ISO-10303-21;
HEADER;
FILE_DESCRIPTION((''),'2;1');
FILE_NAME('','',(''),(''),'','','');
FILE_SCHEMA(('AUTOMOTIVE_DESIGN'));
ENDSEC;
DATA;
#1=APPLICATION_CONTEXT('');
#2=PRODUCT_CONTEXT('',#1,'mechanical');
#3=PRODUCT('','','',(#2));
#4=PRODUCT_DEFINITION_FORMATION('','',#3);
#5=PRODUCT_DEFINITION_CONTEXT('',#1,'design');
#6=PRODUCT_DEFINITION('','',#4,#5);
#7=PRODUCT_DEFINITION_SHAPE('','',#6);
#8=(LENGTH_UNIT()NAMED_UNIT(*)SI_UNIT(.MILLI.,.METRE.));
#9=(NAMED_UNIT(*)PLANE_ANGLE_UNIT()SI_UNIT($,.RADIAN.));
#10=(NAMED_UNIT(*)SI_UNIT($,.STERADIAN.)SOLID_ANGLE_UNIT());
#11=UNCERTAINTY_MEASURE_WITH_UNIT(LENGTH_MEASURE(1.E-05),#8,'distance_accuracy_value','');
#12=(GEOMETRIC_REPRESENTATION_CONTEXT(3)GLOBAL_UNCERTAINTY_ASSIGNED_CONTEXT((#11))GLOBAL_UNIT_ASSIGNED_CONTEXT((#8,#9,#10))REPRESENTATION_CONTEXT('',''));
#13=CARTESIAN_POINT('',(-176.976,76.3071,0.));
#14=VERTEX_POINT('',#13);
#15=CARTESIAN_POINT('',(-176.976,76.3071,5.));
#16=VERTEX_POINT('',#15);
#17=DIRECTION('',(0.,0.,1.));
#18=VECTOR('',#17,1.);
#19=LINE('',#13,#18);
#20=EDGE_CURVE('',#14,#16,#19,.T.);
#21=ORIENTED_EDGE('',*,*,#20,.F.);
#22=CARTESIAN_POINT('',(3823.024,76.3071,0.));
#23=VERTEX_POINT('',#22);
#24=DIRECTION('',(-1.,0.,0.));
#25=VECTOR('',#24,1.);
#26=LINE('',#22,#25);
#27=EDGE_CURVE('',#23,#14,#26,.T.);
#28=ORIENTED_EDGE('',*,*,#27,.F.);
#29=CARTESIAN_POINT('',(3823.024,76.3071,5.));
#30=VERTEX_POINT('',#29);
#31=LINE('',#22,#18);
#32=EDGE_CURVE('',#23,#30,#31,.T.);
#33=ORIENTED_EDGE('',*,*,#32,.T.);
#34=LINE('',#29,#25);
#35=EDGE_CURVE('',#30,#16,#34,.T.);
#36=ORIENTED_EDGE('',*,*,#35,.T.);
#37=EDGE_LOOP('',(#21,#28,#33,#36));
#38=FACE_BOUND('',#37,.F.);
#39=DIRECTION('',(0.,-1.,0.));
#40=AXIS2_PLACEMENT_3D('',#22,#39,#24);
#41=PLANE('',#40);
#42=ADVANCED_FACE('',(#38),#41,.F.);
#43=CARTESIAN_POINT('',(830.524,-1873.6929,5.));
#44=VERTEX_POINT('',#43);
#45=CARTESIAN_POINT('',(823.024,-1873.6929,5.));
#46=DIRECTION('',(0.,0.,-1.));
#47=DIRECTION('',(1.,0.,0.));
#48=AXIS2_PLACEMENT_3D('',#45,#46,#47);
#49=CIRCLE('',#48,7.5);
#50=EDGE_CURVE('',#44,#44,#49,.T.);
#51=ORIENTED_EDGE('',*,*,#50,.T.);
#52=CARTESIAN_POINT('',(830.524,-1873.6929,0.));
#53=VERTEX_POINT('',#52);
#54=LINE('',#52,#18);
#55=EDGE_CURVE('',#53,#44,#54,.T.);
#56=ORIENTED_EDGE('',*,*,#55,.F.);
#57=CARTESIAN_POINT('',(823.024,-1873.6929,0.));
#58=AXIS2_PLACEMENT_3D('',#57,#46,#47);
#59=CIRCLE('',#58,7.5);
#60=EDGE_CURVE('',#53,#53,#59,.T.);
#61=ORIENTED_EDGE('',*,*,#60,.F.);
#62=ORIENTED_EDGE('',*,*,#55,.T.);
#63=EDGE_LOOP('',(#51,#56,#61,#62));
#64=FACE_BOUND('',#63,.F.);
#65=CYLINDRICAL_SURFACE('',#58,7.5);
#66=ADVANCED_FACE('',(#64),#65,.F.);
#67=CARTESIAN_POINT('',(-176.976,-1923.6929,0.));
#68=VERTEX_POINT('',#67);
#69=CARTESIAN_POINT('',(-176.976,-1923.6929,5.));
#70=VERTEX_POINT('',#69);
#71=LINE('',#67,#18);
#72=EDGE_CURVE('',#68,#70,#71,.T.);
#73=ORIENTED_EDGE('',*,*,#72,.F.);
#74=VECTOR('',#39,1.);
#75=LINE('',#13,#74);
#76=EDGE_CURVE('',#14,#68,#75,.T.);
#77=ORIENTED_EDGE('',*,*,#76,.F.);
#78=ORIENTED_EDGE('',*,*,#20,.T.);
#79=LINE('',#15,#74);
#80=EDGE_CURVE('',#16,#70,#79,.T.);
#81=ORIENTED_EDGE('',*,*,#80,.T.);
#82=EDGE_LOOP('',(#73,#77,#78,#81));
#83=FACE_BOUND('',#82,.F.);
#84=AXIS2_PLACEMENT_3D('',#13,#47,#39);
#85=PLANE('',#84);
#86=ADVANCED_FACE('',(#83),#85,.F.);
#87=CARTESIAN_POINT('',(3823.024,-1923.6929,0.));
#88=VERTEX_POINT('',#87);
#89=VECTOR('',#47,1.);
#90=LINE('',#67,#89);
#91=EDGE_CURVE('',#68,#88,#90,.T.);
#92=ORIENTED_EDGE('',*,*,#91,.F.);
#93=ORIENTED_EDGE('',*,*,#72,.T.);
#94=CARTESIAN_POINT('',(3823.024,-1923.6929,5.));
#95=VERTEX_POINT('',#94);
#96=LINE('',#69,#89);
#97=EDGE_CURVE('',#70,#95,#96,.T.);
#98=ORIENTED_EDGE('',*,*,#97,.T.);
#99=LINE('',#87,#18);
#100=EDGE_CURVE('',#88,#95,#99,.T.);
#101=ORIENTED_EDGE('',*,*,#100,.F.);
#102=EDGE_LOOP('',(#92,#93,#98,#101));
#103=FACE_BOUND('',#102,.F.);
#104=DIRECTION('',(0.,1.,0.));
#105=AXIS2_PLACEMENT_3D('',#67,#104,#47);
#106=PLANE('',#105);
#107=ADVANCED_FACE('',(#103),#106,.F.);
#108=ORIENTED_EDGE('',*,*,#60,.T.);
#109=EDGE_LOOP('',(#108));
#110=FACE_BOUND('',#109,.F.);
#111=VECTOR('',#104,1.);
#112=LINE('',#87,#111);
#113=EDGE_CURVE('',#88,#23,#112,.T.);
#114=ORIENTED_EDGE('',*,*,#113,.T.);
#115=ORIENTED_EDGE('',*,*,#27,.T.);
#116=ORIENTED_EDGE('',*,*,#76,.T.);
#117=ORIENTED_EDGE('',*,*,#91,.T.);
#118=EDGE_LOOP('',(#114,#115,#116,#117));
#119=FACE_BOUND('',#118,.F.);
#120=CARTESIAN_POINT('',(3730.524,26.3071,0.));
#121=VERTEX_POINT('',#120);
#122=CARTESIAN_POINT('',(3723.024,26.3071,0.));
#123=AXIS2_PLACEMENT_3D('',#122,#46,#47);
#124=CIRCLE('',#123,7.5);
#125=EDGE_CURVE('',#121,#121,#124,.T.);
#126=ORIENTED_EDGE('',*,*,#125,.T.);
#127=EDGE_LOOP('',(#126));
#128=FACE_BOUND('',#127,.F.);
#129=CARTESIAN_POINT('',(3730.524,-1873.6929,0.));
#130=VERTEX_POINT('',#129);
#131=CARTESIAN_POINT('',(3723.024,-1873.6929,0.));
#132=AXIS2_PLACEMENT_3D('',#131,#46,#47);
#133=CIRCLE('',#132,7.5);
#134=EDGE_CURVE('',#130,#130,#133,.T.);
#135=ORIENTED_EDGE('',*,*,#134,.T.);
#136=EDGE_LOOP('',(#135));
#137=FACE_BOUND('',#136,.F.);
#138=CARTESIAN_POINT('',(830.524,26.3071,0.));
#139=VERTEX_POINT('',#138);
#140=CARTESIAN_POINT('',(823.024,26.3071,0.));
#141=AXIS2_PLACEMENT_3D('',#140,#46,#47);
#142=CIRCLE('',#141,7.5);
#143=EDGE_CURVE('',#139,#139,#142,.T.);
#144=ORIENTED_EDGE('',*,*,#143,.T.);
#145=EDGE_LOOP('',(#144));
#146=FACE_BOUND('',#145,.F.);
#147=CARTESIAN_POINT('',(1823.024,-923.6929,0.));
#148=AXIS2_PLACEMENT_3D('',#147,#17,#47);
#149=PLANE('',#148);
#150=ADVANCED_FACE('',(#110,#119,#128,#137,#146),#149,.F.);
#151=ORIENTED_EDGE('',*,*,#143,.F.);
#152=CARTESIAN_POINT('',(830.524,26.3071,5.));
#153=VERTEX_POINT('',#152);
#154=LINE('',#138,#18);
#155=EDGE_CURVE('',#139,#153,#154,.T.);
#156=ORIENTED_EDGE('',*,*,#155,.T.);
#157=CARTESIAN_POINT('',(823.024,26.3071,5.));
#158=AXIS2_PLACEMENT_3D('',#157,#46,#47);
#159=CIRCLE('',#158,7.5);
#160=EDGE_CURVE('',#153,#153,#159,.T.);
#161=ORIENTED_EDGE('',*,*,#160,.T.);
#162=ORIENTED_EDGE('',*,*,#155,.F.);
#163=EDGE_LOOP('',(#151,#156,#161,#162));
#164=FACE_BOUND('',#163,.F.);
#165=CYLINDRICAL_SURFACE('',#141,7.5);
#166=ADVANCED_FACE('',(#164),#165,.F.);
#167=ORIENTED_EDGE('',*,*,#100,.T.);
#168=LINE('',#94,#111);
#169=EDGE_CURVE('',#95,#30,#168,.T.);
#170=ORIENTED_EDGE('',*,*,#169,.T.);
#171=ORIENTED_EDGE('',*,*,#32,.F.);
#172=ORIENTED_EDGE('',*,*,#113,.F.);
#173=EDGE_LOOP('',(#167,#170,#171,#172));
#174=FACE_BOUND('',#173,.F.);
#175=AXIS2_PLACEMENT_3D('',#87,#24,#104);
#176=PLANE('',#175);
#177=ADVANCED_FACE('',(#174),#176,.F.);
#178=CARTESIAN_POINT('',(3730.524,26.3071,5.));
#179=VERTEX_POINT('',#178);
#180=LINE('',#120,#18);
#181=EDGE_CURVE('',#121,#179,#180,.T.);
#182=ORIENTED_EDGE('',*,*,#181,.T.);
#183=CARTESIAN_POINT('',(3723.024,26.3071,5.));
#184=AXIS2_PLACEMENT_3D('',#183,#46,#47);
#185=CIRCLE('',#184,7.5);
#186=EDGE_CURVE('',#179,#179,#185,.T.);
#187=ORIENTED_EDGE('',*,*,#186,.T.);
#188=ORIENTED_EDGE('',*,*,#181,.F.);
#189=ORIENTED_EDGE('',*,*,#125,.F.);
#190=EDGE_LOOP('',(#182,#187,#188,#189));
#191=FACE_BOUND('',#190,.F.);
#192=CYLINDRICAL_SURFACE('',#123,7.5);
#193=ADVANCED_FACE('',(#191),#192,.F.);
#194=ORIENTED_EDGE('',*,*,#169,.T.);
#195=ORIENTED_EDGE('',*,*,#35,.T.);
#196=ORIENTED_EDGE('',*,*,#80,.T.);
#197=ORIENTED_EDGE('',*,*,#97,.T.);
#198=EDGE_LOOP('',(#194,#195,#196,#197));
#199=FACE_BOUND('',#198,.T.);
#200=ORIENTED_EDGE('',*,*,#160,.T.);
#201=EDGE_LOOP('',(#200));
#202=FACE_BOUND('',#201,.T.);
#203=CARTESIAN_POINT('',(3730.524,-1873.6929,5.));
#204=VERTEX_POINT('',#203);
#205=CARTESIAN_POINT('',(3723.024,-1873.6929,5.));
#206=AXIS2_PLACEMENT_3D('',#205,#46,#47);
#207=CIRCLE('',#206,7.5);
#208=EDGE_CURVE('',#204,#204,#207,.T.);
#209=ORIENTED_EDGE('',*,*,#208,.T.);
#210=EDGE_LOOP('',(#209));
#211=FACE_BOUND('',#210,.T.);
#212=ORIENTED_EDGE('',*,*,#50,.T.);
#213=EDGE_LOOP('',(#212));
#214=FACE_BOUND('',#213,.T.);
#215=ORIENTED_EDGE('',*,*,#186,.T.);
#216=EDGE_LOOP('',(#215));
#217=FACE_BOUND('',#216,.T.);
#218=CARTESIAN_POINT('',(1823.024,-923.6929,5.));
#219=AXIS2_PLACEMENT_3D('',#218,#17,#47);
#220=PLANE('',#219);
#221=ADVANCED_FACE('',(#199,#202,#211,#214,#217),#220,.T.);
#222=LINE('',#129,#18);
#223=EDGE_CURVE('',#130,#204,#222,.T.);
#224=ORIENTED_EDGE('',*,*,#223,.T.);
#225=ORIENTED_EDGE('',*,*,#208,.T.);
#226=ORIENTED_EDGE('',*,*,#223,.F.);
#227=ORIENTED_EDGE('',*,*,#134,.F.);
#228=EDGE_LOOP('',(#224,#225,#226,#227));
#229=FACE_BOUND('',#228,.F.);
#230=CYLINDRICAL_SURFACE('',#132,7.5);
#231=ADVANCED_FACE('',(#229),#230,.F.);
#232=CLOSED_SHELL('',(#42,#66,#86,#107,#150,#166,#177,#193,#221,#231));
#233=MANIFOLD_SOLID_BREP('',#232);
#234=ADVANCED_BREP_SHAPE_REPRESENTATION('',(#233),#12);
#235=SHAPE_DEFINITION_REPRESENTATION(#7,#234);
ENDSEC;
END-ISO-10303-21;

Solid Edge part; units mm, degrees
sketch "Sketch1" plane through (0, 0, 0) normal (0, 0, 1) x (1, 0, 0)
  line L0 (-176.976, -1923.6929) -> (3823.024, -1923.6929)
  line L1 (3823.024, -1923.6929) -> (3823.024, 76.3071)
  line L2 (3823.024, 76.3071) -> (-176.976, 76.3071)
  line L3 (-176.976, 76.3071) -> (-176.976, -1923.6929)
  dimension "D1" = 2000
  dimension "D2" = 4000
extrude "Protrusion1" add sketch "Sketch1" along normal blind 5
extrude "ExtrudedProtrusion_3" [suppressed]
sketch "Sketch2" plane through (1823.024, -923.6929, 0) normal (0, 0, -1) x (1, 0, 0)
  circle A0 centre (1900, 950) radius 7.5
  circle A1 centre (1900, -950) radius 7.5
  circle A2 centre (-1000, -950) radius 7.5
  circle A3 centre (-1000, 950) radius 7.5
  dimension "D1" = 1900
  dimension "D2" = 2900
  dimension "D3" = 15
  dimension "D4" = 15
  dimension "D5" = 15
  dimension "D6" = 15
  dimension "D7" = 950
  dimension "D8" = 100
extrude "Cutout1" cut sketch "Sketch2" against normal through all
properties material "Aluminum, 6061-T6"
